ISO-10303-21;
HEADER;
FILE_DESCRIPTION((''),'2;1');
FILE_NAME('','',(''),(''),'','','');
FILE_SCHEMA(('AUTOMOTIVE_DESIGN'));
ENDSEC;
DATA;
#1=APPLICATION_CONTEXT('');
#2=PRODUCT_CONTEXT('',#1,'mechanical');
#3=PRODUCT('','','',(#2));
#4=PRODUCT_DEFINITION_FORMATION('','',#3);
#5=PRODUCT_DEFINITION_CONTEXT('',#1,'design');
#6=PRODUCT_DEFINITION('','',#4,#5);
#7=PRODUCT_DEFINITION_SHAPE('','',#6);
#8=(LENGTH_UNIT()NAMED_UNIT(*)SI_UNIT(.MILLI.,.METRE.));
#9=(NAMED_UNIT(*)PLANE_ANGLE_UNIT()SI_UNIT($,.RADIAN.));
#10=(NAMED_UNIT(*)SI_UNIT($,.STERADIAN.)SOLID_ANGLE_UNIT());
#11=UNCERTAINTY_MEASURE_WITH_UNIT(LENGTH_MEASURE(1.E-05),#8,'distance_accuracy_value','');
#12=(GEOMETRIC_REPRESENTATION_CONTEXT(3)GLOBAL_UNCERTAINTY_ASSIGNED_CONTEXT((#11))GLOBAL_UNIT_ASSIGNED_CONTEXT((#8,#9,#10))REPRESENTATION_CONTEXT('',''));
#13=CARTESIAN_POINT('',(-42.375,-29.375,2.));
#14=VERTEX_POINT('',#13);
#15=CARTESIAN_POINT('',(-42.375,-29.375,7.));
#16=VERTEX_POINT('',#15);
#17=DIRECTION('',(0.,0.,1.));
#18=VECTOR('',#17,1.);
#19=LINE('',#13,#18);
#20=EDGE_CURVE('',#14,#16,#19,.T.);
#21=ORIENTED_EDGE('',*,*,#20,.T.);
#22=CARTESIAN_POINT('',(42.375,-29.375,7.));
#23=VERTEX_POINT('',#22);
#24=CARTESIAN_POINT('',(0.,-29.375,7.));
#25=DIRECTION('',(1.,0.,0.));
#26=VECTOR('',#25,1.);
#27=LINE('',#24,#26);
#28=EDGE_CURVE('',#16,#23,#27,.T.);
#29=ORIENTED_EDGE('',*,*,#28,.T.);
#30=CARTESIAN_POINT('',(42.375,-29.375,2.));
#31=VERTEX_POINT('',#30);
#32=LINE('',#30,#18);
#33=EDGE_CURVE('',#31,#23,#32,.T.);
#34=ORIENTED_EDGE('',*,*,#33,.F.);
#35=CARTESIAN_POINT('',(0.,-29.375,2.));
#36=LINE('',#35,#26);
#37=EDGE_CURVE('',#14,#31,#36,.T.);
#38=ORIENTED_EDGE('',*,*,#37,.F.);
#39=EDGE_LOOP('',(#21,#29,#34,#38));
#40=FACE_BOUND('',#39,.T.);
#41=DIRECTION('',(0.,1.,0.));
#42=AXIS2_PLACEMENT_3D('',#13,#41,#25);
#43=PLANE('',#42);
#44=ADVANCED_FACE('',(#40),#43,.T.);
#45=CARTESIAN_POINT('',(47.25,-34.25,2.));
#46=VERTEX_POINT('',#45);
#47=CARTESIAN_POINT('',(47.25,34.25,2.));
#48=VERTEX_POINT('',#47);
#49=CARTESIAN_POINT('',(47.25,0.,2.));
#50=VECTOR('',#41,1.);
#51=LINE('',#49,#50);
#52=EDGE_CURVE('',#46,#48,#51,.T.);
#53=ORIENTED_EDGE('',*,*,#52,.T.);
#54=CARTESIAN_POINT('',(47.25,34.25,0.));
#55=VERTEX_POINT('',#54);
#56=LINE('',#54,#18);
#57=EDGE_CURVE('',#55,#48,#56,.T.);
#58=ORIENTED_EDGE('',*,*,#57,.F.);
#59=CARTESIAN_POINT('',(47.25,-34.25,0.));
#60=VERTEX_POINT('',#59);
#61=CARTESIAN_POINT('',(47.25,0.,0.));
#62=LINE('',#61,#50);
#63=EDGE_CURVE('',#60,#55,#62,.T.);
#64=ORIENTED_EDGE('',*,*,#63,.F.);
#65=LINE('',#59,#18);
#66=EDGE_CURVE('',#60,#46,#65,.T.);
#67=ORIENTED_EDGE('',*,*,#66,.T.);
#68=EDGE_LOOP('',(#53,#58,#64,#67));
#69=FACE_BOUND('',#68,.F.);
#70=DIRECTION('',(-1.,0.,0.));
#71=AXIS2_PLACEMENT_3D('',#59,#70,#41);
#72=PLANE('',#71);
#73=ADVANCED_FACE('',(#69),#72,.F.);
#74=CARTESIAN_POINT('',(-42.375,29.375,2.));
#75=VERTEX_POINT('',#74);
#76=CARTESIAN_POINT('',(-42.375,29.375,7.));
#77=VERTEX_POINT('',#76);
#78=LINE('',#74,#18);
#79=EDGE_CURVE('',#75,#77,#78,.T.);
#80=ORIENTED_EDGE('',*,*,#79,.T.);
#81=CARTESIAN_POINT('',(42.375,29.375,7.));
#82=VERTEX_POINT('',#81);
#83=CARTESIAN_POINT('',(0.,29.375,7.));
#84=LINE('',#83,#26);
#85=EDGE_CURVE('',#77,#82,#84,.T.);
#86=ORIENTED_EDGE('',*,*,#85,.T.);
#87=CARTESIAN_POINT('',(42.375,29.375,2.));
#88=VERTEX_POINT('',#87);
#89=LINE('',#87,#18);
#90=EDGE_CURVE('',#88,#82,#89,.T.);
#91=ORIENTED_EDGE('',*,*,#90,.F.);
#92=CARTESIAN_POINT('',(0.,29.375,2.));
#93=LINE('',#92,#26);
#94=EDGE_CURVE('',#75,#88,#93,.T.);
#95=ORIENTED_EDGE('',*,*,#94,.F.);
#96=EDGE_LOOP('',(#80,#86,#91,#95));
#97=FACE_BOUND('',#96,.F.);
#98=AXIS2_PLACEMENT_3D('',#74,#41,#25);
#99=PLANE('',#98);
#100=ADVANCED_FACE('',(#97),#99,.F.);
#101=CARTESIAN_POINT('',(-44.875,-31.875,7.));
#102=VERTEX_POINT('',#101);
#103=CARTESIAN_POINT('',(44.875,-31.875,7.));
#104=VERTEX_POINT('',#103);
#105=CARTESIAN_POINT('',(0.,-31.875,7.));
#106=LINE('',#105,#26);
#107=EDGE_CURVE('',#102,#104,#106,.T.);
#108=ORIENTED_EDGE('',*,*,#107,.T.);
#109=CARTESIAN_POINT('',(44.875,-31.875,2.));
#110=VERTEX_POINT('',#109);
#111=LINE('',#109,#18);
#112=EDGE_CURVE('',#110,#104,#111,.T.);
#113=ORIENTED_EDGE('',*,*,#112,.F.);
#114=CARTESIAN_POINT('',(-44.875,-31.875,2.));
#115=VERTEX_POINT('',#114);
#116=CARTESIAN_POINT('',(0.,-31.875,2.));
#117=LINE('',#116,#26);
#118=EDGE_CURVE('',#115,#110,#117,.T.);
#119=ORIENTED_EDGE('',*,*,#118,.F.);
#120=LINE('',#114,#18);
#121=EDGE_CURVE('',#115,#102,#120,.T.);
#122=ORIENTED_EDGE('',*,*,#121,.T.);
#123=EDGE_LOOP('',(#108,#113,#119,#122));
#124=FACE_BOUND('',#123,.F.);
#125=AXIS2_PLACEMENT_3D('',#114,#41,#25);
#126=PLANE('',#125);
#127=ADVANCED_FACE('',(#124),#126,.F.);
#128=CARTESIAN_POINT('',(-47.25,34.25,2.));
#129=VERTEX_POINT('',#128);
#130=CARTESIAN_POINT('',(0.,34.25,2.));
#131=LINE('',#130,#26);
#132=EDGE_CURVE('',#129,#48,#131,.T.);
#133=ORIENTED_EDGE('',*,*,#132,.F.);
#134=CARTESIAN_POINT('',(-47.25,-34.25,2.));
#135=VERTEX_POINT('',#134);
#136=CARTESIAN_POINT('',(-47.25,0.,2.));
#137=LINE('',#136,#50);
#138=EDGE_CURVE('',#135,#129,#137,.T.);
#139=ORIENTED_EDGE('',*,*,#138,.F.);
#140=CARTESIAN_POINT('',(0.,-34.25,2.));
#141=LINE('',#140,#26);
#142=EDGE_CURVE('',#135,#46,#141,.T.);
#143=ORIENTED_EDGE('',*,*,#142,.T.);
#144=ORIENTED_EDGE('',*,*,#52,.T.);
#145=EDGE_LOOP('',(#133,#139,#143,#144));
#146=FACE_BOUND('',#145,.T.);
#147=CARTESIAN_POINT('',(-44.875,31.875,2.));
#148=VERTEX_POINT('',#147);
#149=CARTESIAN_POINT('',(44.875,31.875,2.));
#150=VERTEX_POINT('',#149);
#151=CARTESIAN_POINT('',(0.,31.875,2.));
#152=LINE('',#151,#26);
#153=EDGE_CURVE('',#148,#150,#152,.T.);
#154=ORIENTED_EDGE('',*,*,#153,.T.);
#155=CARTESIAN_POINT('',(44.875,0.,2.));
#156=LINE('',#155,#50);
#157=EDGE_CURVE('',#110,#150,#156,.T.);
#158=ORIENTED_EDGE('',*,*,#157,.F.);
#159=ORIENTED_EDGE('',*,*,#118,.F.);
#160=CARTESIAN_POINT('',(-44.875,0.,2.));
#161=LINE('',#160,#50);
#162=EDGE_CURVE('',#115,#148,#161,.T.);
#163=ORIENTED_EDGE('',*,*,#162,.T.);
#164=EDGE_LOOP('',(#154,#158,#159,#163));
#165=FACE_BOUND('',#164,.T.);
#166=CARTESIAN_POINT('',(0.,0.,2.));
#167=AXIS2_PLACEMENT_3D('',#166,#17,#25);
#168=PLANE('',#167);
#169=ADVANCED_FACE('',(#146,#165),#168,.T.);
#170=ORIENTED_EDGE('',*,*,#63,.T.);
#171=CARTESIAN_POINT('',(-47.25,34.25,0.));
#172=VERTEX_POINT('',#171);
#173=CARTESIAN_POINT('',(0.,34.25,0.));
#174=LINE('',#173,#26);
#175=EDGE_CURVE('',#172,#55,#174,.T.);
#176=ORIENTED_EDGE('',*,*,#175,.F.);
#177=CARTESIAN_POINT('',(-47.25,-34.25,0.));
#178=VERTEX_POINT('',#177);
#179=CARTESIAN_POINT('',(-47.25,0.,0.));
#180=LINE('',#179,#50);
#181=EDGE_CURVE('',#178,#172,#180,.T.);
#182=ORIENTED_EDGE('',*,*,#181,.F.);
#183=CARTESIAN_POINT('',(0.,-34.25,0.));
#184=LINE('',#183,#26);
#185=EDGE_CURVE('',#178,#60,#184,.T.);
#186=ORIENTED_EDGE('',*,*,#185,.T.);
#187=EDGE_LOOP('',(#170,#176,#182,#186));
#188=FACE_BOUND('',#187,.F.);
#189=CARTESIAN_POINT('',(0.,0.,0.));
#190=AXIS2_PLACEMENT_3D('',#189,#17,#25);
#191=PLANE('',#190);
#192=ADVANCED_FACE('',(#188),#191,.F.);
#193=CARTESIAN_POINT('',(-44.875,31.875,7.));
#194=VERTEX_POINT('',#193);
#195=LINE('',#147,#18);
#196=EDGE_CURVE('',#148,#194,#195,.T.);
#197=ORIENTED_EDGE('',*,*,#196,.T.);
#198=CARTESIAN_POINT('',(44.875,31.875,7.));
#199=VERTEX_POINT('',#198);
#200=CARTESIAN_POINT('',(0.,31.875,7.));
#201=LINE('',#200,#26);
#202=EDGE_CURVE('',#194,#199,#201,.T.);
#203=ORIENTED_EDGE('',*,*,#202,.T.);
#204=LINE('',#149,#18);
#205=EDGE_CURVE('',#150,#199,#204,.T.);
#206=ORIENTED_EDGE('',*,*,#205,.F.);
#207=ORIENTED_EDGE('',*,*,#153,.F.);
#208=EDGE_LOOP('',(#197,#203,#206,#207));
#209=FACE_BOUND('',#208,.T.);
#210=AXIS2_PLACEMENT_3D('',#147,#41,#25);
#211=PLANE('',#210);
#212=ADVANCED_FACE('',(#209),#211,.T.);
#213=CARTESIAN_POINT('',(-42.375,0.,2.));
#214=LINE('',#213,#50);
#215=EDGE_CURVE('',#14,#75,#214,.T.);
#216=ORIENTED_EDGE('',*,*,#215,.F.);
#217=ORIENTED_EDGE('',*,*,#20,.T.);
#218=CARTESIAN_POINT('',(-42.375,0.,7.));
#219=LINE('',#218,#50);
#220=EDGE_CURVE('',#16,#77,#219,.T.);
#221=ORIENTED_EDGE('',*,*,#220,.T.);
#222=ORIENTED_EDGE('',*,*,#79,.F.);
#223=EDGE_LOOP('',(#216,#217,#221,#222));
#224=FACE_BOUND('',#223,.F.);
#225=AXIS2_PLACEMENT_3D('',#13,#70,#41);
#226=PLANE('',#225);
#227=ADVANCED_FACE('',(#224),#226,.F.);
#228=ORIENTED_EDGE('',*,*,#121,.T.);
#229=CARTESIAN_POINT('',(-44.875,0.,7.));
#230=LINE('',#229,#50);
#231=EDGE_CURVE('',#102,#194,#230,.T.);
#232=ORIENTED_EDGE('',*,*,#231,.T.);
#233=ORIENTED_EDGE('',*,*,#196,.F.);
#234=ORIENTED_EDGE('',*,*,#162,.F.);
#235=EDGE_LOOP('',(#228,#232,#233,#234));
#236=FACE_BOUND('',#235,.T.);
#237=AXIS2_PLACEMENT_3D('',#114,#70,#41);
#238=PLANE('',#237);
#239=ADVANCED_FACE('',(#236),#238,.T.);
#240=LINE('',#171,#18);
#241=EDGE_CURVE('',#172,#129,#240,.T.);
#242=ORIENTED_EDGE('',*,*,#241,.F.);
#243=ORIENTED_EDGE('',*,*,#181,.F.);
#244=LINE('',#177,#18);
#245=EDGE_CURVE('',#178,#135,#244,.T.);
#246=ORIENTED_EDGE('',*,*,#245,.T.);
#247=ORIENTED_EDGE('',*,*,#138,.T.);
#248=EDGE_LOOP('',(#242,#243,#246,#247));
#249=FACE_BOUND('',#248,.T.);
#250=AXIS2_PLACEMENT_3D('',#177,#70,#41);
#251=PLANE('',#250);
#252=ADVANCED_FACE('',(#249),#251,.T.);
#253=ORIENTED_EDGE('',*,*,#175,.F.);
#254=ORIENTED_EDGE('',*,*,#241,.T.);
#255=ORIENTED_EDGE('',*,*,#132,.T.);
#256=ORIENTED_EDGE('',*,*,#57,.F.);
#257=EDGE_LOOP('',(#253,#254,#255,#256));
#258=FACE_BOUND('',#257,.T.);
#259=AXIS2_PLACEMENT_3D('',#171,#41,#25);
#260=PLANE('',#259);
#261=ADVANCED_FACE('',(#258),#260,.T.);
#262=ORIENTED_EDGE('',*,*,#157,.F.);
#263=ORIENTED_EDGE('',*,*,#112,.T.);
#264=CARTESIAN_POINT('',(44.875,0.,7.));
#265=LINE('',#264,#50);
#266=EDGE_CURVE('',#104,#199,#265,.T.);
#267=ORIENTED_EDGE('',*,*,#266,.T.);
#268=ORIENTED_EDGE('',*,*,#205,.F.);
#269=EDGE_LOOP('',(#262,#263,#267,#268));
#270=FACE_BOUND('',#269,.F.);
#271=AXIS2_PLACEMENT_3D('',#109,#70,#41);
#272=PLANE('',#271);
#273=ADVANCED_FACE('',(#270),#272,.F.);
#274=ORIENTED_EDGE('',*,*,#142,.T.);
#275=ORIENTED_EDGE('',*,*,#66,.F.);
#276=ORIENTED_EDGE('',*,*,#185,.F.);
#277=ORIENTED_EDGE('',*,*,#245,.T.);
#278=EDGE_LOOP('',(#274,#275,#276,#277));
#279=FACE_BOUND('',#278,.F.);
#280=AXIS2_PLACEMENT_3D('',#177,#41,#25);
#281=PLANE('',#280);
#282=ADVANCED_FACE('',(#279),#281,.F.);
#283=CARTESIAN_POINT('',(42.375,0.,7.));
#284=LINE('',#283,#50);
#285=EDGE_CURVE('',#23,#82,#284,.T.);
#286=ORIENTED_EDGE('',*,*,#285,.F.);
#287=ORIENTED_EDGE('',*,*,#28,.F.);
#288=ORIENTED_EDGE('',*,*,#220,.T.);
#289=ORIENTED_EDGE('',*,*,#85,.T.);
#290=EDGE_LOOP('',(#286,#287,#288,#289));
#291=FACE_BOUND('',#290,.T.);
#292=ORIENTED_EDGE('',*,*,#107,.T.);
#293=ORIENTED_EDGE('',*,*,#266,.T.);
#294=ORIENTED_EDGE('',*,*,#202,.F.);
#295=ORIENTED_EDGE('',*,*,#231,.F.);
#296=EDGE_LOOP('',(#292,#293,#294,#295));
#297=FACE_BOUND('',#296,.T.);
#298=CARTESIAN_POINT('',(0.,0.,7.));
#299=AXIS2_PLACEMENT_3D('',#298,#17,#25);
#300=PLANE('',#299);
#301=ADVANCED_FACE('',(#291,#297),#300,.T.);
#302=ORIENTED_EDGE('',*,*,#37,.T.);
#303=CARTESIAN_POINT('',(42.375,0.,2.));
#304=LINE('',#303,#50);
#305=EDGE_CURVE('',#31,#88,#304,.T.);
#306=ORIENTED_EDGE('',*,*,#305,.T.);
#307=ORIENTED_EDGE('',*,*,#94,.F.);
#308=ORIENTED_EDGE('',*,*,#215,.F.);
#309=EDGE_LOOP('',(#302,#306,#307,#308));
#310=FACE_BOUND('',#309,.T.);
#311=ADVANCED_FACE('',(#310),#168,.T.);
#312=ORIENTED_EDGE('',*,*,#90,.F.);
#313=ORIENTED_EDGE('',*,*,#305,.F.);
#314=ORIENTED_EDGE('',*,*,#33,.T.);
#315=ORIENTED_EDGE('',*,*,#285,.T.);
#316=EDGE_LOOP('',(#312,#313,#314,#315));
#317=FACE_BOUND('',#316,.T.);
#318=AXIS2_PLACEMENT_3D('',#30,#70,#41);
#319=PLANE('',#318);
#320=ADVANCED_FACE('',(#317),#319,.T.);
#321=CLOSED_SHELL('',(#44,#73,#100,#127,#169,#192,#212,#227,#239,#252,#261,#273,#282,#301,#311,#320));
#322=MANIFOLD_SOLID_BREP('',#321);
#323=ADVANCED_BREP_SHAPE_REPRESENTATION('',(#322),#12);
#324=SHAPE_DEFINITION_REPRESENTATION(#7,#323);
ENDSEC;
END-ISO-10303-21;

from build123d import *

# Parameters (mm, degrees)
SKETCH_W      = 94.5
SKETCH_H      = 68.5
PAD_DEPTH     = 2
SKETCH001_W   = 89.75
SKETCH001_H   = 63.75
SKETCH001_W_2 = 84.75
SKETCH001_H_2 = 58.75
PAD001_DEPTH  = 5


with BuildPart() as part:
    # Sketch → Pad (new body)
    with BuildSketch(Plane.XY):
        Rectangle(SKETCH_W, SKETCH_H)
    extrude(amount=PAD_DEPTH)

    # Sketch001 (on Face6 of Pad) → Pad001 (join)
    with BuildSketch(Plane.XY.offset(2)):
        Rectangle(SKETCH001_W, SKETCH001_H)
        Rectangle(SKETCH001_W_2, SKETCH001_H_2, mode=Mode.SUBTRACT)
    extrude(amount=PAD001_DEPTH)


solid = part.part
